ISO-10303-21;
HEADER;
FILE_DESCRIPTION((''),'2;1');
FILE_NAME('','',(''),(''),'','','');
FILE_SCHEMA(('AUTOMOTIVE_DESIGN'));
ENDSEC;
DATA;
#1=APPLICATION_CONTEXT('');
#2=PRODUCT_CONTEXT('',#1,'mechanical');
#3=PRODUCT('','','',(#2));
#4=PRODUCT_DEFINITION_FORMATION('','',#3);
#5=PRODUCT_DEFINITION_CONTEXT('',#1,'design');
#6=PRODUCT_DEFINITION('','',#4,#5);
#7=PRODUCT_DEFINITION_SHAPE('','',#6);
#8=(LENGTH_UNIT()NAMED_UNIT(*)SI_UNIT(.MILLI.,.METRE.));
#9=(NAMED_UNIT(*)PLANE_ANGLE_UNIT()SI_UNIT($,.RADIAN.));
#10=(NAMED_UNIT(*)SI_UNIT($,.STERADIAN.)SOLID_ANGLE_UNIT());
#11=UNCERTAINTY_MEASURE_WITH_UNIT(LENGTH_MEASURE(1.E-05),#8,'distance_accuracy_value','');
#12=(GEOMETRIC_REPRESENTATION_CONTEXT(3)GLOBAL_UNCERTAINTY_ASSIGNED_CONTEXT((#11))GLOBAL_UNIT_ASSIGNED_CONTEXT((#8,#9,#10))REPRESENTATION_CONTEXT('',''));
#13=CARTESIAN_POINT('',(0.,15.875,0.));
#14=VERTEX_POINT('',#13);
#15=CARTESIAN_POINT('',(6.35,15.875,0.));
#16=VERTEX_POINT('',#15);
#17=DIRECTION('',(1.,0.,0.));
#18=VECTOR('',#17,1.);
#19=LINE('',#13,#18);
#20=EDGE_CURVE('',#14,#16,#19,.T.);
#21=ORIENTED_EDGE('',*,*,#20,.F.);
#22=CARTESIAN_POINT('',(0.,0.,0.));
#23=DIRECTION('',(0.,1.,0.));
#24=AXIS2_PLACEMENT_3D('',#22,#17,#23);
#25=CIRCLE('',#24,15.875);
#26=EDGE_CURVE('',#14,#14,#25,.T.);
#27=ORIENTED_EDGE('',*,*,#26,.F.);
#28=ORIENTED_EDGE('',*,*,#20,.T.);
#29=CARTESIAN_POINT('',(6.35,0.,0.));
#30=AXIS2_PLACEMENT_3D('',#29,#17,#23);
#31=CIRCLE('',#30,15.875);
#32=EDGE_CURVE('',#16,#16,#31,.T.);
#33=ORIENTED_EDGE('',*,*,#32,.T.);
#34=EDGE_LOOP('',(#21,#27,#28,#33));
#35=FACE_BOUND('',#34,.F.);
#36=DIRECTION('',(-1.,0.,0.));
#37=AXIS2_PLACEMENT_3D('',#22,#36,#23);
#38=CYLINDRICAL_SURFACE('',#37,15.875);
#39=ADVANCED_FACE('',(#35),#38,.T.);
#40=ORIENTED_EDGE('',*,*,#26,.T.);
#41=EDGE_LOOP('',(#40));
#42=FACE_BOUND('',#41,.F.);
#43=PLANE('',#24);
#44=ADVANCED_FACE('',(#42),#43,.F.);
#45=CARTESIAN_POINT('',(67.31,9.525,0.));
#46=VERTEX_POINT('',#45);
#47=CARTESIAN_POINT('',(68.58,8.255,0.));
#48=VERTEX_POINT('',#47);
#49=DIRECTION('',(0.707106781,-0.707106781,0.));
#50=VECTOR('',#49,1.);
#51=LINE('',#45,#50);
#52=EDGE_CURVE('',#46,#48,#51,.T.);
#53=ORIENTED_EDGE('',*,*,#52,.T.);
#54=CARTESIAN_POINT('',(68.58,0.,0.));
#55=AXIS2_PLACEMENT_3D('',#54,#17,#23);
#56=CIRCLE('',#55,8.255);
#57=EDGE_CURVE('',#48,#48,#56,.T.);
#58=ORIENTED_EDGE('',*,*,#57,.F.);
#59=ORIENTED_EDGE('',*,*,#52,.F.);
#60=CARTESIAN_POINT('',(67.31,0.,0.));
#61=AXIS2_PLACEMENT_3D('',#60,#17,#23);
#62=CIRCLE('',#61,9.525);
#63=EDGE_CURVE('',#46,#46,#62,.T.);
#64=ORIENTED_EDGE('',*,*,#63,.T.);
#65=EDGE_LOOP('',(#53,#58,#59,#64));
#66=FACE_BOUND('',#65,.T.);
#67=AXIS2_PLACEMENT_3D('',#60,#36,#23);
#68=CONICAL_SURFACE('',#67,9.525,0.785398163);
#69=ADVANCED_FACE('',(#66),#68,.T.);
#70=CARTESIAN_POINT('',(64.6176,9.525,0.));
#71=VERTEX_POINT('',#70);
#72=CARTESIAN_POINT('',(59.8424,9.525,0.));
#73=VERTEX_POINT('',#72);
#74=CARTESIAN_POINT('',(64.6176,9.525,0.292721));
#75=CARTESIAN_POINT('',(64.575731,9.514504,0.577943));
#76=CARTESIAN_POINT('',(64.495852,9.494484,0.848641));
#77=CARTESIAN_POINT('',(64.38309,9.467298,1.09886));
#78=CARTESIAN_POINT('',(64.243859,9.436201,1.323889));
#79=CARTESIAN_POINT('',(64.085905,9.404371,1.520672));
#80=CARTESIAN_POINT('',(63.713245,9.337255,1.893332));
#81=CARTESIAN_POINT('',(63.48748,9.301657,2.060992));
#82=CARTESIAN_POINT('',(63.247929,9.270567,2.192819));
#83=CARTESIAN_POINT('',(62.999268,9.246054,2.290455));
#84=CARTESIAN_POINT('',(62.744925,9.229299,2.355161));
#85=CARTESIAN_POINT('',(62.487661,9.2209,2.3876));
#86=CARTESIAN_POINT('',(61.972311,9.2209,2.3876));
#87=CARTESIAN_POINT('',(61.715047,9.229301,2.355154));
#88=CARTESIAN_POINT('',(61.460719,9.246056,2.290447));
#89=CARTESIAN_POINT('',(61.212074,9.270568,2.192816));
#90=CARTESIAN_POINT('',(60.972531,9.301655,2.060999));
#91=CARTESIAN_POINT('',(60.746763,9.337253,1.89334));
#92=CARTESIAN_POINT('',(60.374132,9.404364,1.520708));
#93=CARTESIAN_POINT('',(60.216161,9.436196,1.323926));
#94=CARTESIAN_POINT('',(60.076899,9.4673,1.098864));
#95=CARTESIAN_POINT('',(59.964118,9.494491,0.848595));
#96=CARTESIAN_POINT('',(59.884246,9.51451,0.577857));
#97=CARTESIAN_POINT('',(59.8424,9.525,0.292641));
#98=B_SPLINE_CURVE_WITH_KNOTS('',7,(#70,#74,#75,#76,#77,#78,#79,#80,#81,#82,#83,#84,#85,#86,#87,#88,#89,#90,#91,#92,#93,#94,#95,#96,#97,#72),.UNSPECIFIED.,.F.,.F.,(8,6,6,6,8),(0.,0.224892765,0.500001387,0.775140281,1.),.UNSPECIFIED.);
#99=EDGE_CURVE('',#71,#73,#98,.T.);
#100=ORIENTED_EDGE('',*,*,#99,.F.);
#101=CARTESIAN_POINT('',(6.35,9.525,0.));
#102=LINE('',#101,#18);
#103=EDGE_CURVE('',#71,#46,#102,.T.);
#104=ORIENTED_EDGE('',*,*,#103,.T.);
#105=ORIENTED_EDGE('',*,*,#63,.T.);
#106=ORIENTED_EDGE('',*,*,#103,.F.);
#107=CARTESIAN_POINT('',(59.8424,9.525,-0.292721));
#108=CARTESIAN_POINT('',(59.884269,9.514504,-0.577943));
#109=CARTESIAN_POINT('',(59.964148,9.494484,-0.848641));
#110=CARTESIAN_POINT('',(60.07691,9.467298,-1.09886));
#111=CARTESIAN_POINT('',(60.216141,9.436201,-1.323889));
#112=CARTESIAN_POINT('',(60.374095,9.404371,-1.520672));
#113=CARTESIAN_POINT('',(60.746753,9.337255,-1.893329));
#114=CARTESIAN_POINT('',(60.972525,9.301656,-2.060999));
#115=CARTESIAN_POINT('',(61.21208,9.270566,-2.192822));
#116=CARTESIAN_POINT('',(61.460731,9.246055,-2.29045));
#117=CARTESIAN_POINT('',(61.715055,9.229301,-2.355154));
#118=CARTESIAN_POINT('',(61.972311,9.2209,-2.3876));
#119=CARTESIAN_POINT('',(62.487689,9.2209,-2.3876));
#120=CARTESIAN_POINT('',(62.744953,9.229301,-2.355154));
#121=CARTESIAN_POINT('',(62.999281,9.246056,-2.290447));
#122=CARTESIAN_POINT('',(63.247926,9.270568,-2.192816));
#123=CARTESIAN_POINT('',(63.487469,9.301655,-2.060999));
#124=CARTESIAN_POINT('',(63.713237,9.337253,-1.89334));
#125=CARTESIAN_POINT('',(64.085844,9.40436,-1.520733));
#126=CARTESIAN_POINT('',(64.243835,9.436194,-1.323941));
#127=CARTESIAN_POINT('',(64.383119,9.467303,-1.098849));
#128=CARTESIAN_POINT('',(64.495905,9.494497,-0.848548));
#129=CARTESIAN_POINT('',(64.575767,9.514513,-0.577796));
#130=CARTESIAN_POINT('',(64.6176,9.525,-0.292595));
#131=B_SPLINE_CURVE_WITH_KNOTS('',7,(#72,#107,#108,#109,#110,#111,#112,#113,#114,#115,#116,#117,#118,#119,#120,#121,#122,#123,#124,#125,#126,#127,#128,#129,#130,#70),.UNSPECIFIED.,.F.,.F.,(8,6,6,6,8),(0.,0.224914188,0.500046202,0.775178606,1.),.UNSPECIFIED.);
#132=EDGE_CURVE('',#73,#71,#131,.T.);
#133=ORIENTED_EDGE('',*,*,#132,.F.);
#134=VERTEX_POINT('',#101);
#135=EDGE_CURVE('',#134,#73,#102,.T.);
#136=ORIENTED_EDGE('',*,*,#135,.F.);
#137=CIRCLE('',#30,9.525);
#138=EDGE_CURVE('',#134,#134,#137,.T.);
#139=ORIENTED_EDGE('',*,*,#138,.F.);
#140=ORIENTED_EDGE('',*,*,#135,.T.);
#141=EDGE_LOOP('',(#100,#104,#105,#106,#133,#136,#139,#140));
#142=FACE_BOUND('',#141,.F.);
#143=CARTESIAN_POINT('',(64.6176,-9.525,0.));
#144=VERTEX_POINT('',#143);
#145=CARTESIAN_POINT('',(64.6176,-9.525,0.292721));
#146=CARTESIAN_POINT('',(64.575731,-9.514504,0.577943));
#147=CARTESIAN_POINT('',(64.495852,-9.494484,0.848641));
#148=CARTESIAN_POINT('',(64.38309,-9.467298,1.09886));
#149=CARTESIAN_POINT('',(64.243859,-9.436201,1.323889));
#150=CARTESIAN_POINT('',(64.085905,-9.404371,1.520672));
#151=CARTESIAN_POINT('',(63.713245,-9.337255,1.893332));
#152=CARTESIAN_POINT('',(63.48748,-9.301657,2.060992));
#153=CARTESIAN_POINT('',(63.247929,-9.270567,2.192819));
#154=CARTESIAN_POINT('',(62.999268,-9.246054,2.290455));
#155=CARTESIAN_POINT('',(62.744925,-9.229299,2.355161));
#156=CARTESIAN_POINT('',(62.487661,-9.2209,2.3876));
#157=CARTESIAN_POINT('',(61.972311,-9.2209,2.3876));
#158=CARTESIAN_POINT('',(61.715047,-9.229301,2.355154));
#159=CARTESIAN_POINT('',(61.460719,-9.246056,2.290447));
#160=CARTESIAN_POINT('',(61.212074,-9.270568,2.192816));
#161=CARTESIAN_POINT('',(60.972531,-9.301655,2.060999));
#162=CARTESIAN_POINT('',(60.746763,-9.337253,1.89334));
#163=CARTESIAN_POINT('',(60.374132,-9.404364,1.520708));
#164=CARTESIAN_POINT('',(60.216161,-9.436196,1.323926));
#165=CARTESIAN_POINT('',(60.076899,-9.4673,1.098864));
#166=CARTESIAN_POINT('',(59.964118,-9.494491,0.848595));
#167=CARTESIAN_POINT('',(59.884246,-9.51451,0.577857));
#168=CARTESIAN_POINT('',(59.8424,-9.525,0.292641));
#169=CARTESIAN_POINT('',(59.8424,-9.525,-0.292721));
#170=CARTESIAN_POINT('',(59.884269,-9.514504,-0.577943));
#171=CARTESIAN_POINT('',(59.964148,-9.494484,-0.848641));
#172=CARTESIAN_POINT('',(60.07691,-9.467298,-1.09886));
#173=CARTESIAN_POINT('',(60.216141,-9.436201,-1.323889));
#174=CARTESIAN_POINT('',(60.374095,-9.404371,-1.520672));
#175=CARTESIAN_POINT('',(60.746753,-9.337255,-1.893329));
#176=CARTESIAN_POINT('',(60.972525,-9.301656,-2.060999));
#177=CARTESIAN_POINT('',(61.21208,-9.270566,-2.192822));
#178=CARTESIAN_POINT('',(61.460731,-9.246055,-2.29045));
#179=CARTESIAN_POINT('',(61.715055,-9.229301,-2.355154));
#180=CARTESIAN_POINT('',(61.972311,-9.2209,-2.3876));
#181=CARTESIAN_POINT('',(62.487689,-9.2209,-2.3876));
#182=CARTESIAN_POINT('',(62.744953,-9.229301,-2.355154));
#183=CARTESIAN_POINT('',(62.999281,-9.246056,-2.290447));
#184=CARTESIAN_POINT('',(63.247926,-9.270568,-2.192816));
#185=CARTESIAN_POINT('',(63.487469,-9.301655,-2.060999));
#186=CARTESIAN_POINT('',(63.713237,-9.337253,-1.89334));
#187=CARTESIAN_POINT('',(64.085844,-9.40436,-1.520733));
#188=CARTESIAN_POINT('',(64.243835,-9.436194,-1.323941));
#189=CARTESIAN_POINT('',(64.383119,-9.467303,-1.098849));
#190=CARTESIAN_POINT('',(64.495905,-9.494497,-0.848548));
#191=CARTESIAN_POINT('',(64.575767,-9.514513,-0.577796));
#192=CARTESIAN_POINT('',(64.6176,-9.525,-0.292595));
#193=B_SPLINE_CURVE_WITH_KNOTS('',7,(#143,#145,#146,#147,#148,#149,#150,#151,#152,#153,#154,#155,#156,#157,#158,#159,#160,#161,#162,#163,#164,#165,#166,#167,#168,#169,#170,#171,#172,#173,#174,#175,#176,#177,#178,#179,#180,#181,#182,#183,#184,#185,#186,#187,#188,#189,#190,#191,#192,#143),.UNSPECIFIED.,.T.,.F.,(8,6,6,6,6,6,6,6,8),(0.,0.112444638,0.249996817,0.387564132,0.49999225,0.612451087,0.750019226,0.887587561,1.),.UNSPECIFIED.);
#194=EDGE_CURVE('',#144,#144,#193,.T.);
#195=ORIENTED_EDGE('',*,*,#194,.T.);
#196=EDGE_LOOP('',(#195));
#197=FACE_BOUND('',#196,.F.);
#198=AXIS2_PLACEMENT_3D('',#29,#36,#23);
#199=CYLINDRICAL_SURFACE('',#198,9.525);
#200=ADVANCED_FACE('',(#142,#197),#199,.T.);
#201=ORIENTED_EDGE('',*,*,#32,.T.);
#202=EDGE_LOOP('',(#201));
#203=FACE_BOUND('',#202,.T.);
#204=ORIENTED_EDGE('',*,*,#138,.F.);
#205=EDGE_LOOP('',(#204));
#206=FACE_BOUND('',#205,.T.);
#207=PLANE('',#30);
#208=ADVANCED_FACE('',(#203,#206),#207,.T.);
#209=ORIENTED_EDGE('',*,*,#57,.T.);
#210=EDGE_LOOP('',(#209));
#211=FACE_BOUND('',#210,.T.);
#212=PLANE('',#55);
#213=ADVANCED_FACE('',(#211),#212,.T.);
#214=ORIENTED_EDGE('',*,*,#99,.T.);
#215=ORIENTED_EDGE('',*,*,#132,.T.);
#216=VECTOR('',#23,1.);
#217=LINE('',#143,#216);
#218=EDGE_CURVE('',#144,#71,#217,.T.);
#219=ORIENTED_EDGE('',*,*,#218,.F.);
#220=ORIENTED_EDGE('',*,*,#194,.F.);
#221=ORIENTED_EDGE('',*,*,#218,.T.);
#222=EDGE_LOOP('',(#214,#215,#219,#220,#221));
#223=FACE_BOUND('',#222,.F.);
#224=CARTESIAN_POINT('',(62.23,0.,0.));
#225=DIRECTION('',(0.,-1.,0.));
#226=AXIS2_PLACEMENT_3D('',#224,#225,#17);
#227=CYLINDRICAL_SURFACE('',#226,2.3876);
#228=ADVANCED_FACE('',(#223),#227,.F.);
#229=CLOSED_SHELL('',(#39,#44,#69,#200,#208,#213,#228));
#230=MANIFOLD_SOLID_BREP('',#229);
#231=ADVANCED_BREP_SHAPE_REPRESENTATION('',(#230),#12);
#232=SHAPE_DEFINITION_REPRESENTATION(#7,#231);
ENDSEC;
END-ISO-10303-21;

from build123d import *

# Parameters (mm, degrees)
F0_R          = 15.875
F1_DEPTH      = 6.35
F2_R          = 9.525
F3_DEPTH      = 62.23
F4_SIZE2      = 1.27
F4_SIZE       = 1.27
F5_R          = 2.3876
F6_DEPTH      = 25.4
F6_DEPTH_BACK = 25.4


with BuildPart() as f1:
    # F0 (on Right) → F1 (new body)
    with BuildSketch(Plane.YZ):
        Circle(F0_R)
    extrude(amount=F1_DEPTH)

    # F2 (on face) → F3 (join)
    with BuildSketch(Plane.YZ.offset(6.35)):
        Circle(F2_R)
    extrude(amount=F3_DEPTH)

    # F4
    f4_edges = [f1.edges().sort_by_distance(p)[0] for p in [
        (68.58, -9.525, 0),
    ]]
    chamfer(f4_edges, length=F4_SIZE, length2=F4_SIZE2)

    # F5 (on Front) → F6 (cut, two sides)
    with BuildSketch(Plane.XZ) as f6_sk:
        with Locations((62.23, 0)):
            Circle(F5_R)
    extrude(amount=-F6_DEPTH, mode=Mode.SUBTRACT)
    extrude(f6_sk.sketch, amount=F6_DEPTH_BACK, mode=Mode.SUBTRACT)


solid = f1.part
